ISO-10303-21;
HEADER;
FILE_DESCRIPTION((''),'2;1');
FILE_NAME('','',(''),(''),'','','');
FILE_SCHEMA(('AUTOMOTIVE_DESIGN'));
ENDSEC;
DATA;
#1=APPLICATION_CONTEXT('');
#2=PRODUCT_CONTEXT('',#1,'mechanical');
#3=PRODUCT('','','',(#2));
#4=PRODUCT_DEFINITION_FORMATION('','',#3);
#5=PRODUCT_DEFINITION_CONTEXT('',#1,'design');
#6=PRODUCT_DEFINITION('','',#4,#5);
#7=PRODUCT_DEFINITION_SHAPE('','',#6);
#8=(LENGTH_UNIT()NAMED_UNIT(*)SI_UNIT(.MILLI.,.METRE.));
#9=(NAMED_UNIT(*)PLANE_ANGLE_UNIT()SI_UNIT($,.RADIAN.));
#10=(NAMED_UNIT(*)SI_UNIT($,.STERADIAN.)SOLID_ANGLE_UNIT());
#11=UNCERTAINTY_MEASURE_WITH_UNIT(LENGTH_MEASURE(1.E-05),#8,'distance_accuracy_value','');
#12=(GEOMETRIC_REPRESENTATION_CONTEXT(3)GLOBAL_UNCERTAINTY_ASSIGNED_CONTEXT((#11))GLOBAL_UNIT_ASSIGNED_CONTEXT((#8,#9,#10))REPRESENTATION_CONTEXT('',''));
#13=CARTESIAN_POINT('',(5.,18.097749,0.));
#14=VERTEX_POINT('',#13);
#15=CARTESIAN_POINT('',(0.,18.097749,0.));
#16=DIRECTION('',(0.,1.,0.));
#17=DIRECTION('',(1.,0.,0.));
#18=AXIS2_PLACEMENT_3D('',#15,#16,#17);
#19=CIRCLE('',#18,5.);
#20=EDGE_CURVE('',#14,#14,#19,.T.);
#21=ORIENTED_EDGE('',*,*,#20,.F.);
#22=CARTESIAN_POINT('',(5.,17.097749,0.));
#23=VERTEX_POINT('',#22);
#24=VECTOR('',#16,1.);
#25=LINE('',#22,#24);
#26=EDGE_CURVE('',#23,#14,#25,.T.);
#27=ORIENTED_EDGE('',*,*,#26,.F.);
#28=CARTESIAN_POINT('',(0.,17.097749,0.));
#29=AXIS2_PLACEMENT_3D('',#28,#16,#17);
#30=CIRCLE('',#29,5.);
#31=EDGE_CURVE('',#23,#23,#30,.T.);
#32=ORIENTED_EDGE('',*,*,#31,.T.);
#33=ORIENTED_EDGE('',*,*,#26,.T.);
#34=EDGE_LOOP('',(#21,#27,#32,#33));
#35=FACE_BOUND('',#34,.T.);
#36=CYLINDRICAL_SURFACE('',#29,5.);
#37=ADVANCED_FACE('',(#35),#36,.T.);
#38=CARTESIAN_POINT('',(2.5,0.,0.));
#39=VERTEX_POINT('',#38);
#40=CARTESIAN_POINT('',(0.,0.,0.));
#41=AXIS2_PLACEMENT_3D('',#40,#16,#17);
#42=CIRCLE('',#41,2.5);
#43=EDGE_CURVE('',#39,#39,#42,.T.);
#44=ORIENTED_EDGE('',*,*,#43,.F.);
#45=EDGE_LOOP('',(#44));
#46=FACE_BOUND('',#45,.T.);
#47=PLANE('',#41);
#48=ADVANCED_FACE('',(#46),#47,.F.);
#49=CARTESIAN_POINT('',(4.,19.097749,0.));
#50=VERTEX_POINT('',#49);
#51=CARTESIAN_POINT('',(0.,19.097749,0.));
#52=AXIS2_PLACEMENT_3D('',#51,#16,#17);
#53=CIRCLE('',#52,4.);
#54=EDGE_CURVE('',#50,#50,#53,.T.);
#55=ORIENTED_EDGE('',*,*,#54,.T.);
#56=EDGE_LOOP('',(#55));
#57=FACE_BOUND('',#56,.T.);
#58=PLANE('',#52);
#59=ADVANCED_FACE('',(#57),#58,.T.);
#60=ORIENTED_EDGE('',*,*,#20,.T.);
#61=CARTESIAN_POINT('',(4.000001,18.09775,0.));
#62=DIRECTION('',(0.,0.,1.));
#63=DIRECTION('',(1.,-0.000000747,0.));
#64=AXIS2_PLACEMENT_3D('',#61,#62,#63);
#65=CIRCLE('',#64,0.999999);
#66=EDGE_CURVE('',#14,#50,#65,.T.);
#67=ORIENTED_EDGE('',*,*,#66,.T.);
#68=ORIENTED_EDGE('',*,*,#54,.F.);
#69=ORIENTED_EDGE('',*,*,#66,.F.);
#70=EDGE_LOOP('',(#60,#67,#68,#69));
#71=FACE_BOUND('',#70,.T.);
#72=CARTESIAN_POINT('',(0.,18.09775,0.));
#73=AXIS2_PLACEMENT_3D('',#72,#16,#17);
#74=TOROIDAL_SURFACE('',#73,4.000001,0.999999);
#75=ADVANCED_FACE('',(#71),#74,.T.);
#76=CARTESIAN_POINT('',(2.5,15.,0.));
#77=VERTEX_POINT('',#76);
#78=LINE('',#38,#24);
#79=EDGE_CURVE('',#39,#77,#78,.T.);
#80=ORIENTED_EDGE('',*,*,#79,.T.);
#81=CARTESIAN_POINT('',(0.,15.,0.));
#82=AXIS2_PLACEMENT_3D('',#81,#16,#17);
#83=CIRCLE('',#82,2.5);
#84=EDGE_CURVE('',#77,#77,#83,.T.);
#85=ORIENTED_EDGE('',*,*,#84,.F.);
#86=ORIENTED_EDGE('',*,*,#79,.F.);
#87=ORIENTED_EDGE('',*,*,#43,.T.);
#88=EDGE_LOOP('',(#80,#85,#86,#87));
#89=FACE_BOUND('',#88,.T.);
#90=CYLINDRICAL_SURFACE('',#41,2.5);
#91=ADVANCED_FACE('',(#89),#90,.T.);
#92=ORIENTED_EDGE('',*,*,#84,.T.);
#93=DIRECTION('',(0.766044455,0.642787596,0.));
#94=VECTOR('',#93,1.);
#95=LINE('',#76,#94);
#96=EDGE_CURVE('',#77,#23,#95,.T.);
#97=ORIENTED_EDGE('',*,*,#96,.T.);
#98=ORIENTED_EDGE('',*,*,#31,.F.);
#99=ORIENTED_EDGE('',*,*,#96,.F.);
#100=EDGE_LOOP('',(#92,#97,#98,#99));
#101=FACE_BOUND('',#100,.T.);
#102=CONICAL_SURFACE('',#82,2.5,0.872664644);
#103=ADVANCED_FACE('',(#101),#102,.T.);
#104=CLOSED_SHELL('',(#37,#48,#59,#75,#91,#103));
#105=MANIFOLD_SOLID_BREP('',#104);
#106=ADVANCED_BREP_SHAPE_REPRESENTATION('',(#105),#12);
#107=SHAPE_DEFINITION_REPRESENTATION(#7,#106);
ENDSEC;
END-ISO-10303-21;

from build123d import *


with BuildPart() as f1:
    # F0 (on Top) → F1 (revolve)
    with BuildSketch(Plane.XY):
        with BuildLine():
            Line((0, 19.097749), (0, 0))
            Line((0, 0), (2.5, 0))
            Line((2.5, 0), (2.5, 15))
            Line((2.5, 15), (5, 17.097749))
            Line((5, 17.097749), (5, 18.097749))
            ThreePointArc((5, 18.097749), (4.707107, 18.804856), (4, 19.097749))
            Line((4, 19.097749), (0, 19.097749))
        make_face()
    revolve(axis=Axis((0, 9.548875, 0), (0, 1, 0)))


solid = f1.part
